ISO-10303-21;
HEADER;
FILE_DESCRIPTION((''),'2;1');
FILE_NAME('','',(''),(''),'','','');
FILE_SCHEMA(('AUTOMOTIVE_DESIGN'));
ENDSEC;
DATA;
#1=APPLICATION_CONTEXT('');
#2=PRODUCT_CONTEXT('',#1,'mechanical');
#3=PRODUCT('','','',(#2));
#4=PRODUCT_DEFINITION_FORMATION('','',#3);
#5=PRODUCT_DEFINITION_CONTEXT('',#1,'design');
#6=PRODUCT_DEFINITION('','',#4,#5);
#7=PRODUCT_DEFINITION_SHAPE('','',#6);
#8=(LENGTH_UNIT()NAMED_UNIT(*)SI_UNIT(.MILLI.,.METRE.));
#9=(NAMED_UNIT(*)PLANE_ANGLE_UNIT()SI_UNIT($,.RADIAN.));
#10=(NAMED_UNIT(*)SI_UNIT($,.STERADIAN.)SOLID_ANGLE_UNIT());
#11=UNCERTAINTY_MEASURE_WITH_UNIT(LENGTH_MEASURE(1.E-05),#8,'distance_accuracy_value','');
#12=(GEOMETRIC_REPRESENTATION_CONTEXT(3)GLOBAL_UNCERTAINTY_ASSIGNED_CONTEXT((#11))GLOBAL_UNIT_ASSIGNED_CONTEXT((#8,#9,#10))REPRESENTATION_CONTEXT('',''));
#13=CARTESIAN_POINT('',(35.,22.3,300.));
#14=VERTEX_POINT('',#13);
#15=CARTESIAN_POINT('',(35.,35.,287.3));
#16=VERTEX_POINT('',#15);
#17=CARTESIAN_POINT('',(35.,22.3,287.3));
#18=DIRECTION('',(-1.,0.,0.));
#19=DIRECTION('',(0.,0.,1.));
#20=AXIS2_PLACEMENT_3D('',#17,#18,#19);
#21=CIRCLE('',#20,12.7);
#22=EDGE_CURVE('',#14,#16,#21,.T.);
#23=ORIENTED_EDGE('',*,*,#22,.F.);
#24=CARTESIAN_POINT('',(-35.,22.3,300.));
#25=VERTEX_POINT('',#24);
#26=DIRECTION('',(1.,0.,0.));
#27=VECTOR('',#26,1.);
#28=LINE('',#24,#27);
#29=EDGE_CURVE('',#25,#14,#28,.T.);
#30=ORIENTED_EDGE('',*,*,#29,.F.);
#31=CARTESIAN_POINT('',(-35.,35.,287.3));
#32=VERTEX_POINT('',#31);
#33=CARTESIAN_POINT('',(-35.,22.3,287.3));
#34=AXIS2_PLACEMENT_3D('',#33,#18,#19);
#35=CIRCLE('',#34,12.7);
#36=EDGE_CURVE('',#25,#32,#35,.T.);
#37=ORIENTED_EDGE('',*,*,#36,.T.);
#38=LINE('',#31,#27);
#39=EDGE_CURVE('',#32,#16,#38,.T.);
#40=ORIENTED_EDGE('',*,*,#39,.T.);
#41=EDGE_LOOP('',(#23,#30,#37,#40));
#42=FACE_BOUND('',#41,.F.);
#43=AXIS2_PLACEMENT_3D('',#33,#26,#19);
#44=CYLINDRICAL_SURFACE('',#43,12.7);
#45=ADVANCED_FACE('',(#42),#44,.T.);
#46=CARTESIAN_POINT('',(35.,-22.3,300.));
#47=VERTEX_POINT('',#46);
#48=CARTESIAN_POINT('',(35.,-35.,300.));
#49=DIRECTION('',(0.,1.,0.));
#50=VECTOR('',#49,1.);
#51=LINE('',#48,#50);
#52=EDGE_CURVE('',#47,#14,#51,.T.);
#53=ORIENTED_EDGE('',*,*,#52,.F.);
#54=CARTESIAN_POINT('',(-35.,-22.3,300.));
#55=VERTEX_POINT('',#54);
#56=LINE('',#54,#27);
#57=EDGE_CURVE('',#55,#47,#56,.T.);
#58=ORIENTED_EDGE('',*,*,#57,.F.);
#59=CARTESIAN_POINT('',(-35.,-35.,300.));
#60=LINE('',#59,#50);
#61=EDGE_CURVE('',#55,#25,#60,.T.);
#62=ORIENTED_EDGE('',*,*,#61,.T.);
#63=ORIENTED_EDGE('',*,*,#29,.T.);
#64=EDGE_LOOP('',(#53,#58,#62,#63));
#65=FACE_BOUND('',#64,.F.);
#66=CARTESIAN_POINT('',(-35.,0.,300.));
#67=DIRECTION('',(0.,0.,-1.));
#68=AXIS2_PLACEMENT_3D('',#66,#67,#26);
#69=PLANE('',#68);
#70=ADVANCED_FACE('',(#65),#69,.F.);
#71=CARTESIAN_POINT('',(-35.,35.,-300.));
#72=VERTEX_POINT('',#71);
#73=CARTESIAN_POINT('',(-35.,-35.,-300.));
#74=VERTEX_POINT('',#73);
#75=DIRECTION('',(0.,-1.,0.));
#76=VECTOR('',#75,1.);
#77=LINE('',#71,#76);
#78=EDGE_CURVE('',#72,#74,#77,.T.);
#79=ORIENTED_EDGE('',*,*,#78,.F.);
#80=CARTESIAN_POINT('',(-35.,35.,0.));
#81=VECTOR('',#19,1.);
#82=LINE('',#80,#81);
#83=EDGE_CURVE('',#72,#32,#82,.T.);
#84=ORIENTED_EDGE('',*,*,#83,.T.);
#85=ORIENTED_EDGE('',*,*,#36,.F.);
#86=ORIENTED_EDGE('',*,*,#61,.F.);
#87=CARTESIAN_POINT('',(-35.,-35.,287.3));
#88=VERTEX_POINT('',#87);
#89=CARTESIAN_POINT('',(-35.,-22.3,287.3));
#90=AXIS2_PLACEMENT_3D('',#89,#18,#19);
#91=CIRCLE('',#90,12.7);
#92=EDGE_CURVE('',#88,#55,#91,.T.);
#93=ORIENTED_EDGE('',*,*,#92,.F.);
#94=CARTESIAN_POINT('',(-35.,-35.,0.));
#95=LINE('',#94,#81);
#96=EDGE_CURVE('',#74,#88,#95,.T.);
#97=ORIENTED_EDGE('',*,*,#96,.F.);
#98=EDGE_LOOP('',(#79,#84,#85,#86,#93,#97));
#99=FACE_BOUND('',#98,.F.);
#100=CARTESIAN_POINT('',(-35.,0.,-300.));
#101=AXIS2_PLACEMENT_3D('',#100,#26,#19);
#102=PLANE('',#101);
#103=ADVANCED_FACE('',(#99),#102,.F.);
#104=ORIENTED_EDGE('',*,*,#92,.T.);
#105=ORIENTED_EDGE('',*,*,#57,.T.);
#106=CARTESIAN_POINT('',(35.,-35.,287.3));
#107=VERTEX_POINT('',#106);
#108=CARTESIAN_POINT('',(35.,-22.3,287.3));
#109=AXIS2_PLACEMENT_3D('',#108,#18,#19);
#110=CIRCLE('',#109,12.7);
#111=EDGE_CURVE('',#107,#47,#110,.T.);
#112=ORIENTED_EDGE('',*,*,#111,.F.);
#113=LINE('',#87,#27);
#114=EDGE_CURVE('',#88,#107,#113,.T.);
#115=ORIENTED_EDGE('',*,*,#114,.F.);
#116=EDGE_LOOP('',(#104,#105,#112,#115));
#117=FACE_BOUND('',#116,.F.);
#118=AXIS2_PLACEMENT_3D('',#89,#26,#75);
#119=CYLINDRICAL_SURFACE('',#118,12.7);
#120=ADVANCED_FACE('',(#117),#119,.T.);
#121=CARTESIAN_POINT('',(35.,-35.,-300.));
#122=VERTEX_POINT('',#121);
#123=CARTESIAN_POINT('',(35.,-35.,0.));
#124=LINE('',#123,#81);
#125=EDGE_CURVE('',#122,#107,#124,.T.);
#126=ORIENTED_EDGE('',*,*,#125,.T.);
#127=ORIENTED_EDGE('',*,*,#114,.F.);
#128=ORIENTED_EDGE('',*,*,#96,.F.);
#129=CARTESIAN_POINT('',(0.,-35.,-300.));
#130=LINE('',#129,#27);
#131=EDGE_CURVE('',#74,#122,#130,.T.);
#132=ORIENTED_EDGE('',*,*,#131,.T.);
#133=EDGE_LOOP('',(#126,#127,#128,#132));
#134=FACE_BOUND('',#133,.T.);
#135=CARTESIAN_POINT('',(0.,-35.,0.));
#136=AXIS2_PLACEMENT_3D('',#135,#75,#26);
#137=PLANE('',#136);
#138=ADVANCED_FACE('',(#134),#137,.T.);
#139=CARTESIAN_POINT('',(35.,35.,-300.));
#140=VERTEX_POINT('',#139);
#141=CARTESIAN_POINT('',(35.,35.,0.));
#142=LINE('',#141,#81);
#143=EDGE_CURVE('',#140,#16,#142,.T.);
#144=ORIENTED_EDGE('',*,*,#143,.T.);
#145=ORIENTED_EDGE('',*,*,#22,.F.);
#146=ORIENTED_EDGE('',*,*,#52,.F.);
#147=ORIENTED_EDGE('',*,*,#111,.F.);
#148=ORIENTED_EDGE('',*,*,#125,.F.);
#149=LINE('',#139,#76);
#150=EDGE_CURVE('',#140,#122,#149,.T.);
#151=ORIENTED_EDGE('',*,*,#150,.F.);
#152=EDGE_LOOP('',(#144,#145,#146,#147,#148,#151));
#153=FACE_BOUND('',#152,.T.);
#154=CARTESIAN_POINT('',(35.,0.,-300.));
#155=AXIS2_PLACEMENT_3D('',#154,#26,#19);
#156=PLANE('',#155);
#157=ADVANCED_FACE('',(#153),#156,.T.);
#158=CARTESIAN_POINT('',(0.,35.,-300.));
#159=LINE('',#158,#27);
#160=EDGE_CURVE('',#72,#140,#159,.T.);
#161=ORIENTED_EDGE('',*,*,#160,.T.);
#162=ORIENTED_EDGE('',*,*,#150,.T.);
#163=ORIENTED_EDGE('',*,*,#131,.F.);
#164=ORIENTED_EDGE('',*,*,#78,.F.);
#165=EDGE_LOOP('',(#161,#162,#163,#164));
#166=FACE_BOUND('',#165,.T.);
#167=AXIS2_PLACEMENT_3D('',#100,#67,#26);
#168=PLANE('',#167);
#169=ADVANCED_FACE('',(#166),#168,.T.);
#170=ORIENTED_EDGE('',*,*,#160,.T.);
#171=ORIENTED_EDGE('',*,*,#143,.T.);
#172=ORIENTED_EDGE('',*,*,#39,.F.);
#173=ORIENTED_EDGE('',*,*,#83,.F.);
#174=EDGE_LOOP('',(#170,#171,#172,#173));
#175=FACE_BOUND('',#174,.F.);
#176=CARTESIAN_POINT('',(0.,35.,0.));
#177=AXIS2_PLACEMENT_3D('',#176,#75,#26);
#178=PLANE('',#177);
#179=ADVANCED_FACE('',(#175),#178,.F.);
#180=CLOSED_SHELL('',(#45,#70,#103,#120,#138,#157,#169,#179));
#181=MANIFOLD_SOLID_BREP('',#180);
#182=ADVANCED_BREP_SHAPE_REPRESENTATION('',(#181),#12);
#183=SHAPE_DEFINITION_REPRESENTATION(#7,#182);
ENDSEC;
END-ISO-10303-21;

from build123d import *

# Parameters (mm, degrees)
F0_W     = 70
F0_H     = 600
F1_DEPTH = 35
F2_R     = 12.7


with BuildPart() as f1:
    # F0 (on Front) → F1 (new body, symmetric)
    with BuildSketch(Plane.XZ):
        Rectangle(F0_W, F0_H)
    extrude(amount=F1_DEPTH, both=True)

    # F2
    f2_edges = [f1.edges().sort_by_distance(p)[0] for p in [
        (0, -35, 300),
        (0, 35, 300),
    ]]
    fillet(f2_edges, radius=F2_R)


solid = f1.part
